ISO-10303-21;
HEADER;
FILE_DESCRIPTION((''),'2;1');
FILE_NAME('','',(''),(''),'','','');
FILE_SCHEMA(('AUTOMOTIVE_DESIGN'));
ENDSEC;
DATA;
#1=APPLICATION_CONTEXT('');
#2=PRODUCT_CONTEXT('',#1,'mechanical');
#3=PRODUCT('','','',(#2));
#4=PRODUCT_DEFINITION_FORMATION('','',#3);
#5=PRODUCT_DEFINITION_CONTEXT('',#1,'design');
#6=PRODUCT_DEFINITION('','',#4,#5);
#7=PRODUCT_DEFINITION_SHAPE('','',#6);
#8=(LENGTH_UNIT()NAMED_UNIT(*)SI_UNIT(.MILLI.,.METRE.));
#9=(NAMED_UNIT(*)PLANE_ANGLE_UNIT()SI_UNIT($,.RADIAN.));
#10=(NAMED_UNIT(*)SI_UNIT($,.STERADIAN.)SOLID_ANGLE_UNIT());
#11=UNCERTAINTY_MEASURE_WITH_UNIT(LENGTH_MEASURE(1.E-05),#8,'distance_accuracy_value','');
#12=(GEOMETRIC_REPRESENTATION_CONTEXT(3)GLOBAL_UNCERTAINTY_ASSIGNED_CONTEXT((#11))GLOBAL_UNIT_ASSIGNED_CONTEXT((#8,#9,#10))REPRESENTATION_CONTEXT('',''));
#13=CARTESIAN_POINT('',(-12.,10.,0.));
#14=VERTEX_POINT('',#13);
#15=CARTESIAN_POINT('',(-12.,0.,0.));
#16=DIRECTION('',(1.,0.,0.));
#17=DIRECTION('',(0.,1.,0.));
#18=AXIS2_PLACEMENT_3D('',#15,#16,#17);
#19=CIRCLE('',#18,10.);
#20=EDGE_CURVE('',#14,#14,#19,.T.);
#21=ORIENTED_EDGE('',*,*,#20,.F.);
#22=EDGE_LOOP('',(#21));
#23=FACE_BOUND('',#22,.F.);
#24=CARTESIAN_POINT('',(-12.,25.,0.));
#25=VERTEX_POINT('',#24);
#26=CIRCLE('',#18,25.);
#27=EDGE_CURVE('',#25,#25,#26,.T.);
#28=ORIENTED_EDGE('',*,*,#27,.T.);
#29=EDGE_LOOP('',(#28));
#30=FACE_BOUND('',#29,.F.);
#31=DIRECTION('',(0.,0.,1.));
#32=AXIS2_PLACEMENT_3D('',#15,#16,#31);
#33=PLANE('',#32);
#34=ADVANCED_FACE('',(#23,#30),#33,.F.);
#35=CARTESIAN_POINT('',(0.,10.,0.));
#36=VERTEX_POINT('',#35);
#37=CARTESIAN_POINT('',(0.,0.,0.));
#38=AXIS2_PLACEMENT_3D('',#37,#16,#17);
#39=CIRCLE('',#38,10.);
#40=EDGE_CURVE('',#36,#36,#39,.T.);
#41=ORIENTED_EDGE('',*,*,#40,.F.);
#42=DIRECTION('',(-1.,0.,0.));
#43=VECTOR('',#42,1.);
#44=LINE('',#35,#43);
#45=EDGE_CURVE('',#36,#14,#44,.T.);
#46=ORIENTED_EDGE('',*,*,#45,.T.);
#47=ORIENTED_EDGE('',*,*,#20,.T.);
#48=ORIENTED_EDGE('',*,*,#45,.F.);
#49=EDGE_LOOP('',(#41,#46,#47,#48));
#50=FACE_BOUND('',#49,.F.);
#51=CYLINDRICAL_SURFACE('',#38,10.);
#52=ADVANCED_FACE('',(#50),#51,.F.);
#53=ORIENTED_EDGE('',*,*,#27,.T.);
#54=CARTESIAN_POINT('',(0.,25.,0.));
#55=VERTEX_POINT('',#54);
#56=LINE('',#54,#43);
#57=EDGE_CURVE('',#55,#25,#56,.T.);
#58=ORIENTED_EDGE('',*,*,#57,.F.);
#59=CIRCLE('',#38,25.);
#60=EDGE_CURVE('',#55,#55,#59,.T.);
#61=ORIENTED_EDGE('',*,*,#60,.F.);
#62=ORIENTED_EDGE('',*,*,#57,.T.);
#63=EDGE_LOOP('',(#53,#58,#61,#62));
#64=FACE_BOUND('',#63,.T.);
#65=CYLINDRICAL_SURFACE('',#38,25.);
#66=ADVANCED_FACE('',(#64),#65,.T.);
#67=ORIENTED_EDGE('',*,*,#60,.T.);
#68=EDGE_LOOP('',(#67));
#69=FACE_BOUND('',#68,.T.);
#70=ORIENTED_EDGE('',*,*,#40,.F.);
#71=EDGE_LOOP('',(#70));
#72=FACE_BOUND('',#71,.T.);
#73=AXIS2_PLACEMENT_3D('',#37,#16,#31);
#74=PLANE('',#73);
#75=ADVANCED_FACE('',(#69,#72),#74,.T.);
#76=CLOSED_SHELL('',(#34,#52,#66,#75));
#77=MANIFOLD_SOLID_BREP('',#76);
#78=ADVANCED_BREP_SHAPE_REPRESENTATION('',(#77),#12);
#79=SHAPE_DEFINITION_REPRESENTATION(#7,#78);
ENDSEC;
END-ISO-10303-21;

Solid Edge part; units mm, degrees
sketch "Sketch1" plane through (0, 0, 0) normal (1, 0, 0) x (0, 1, 0)
  circle A0 centre (0, 0) radius 25
  dimension "D1" = 50
extrude "Protrusion1" add sketch "Sketch1" against normal blind 12
sketch "Sketch2" plane through (0, 0, 0) normal (1, 0, 0) x (0, 1, 0)
  circle A0 centre (0, 0) radius 10
  dimension "D1" = 20
extrude "Cutout1" cut sketch "Sketch2" against normal up to next
properties material "Steel"
